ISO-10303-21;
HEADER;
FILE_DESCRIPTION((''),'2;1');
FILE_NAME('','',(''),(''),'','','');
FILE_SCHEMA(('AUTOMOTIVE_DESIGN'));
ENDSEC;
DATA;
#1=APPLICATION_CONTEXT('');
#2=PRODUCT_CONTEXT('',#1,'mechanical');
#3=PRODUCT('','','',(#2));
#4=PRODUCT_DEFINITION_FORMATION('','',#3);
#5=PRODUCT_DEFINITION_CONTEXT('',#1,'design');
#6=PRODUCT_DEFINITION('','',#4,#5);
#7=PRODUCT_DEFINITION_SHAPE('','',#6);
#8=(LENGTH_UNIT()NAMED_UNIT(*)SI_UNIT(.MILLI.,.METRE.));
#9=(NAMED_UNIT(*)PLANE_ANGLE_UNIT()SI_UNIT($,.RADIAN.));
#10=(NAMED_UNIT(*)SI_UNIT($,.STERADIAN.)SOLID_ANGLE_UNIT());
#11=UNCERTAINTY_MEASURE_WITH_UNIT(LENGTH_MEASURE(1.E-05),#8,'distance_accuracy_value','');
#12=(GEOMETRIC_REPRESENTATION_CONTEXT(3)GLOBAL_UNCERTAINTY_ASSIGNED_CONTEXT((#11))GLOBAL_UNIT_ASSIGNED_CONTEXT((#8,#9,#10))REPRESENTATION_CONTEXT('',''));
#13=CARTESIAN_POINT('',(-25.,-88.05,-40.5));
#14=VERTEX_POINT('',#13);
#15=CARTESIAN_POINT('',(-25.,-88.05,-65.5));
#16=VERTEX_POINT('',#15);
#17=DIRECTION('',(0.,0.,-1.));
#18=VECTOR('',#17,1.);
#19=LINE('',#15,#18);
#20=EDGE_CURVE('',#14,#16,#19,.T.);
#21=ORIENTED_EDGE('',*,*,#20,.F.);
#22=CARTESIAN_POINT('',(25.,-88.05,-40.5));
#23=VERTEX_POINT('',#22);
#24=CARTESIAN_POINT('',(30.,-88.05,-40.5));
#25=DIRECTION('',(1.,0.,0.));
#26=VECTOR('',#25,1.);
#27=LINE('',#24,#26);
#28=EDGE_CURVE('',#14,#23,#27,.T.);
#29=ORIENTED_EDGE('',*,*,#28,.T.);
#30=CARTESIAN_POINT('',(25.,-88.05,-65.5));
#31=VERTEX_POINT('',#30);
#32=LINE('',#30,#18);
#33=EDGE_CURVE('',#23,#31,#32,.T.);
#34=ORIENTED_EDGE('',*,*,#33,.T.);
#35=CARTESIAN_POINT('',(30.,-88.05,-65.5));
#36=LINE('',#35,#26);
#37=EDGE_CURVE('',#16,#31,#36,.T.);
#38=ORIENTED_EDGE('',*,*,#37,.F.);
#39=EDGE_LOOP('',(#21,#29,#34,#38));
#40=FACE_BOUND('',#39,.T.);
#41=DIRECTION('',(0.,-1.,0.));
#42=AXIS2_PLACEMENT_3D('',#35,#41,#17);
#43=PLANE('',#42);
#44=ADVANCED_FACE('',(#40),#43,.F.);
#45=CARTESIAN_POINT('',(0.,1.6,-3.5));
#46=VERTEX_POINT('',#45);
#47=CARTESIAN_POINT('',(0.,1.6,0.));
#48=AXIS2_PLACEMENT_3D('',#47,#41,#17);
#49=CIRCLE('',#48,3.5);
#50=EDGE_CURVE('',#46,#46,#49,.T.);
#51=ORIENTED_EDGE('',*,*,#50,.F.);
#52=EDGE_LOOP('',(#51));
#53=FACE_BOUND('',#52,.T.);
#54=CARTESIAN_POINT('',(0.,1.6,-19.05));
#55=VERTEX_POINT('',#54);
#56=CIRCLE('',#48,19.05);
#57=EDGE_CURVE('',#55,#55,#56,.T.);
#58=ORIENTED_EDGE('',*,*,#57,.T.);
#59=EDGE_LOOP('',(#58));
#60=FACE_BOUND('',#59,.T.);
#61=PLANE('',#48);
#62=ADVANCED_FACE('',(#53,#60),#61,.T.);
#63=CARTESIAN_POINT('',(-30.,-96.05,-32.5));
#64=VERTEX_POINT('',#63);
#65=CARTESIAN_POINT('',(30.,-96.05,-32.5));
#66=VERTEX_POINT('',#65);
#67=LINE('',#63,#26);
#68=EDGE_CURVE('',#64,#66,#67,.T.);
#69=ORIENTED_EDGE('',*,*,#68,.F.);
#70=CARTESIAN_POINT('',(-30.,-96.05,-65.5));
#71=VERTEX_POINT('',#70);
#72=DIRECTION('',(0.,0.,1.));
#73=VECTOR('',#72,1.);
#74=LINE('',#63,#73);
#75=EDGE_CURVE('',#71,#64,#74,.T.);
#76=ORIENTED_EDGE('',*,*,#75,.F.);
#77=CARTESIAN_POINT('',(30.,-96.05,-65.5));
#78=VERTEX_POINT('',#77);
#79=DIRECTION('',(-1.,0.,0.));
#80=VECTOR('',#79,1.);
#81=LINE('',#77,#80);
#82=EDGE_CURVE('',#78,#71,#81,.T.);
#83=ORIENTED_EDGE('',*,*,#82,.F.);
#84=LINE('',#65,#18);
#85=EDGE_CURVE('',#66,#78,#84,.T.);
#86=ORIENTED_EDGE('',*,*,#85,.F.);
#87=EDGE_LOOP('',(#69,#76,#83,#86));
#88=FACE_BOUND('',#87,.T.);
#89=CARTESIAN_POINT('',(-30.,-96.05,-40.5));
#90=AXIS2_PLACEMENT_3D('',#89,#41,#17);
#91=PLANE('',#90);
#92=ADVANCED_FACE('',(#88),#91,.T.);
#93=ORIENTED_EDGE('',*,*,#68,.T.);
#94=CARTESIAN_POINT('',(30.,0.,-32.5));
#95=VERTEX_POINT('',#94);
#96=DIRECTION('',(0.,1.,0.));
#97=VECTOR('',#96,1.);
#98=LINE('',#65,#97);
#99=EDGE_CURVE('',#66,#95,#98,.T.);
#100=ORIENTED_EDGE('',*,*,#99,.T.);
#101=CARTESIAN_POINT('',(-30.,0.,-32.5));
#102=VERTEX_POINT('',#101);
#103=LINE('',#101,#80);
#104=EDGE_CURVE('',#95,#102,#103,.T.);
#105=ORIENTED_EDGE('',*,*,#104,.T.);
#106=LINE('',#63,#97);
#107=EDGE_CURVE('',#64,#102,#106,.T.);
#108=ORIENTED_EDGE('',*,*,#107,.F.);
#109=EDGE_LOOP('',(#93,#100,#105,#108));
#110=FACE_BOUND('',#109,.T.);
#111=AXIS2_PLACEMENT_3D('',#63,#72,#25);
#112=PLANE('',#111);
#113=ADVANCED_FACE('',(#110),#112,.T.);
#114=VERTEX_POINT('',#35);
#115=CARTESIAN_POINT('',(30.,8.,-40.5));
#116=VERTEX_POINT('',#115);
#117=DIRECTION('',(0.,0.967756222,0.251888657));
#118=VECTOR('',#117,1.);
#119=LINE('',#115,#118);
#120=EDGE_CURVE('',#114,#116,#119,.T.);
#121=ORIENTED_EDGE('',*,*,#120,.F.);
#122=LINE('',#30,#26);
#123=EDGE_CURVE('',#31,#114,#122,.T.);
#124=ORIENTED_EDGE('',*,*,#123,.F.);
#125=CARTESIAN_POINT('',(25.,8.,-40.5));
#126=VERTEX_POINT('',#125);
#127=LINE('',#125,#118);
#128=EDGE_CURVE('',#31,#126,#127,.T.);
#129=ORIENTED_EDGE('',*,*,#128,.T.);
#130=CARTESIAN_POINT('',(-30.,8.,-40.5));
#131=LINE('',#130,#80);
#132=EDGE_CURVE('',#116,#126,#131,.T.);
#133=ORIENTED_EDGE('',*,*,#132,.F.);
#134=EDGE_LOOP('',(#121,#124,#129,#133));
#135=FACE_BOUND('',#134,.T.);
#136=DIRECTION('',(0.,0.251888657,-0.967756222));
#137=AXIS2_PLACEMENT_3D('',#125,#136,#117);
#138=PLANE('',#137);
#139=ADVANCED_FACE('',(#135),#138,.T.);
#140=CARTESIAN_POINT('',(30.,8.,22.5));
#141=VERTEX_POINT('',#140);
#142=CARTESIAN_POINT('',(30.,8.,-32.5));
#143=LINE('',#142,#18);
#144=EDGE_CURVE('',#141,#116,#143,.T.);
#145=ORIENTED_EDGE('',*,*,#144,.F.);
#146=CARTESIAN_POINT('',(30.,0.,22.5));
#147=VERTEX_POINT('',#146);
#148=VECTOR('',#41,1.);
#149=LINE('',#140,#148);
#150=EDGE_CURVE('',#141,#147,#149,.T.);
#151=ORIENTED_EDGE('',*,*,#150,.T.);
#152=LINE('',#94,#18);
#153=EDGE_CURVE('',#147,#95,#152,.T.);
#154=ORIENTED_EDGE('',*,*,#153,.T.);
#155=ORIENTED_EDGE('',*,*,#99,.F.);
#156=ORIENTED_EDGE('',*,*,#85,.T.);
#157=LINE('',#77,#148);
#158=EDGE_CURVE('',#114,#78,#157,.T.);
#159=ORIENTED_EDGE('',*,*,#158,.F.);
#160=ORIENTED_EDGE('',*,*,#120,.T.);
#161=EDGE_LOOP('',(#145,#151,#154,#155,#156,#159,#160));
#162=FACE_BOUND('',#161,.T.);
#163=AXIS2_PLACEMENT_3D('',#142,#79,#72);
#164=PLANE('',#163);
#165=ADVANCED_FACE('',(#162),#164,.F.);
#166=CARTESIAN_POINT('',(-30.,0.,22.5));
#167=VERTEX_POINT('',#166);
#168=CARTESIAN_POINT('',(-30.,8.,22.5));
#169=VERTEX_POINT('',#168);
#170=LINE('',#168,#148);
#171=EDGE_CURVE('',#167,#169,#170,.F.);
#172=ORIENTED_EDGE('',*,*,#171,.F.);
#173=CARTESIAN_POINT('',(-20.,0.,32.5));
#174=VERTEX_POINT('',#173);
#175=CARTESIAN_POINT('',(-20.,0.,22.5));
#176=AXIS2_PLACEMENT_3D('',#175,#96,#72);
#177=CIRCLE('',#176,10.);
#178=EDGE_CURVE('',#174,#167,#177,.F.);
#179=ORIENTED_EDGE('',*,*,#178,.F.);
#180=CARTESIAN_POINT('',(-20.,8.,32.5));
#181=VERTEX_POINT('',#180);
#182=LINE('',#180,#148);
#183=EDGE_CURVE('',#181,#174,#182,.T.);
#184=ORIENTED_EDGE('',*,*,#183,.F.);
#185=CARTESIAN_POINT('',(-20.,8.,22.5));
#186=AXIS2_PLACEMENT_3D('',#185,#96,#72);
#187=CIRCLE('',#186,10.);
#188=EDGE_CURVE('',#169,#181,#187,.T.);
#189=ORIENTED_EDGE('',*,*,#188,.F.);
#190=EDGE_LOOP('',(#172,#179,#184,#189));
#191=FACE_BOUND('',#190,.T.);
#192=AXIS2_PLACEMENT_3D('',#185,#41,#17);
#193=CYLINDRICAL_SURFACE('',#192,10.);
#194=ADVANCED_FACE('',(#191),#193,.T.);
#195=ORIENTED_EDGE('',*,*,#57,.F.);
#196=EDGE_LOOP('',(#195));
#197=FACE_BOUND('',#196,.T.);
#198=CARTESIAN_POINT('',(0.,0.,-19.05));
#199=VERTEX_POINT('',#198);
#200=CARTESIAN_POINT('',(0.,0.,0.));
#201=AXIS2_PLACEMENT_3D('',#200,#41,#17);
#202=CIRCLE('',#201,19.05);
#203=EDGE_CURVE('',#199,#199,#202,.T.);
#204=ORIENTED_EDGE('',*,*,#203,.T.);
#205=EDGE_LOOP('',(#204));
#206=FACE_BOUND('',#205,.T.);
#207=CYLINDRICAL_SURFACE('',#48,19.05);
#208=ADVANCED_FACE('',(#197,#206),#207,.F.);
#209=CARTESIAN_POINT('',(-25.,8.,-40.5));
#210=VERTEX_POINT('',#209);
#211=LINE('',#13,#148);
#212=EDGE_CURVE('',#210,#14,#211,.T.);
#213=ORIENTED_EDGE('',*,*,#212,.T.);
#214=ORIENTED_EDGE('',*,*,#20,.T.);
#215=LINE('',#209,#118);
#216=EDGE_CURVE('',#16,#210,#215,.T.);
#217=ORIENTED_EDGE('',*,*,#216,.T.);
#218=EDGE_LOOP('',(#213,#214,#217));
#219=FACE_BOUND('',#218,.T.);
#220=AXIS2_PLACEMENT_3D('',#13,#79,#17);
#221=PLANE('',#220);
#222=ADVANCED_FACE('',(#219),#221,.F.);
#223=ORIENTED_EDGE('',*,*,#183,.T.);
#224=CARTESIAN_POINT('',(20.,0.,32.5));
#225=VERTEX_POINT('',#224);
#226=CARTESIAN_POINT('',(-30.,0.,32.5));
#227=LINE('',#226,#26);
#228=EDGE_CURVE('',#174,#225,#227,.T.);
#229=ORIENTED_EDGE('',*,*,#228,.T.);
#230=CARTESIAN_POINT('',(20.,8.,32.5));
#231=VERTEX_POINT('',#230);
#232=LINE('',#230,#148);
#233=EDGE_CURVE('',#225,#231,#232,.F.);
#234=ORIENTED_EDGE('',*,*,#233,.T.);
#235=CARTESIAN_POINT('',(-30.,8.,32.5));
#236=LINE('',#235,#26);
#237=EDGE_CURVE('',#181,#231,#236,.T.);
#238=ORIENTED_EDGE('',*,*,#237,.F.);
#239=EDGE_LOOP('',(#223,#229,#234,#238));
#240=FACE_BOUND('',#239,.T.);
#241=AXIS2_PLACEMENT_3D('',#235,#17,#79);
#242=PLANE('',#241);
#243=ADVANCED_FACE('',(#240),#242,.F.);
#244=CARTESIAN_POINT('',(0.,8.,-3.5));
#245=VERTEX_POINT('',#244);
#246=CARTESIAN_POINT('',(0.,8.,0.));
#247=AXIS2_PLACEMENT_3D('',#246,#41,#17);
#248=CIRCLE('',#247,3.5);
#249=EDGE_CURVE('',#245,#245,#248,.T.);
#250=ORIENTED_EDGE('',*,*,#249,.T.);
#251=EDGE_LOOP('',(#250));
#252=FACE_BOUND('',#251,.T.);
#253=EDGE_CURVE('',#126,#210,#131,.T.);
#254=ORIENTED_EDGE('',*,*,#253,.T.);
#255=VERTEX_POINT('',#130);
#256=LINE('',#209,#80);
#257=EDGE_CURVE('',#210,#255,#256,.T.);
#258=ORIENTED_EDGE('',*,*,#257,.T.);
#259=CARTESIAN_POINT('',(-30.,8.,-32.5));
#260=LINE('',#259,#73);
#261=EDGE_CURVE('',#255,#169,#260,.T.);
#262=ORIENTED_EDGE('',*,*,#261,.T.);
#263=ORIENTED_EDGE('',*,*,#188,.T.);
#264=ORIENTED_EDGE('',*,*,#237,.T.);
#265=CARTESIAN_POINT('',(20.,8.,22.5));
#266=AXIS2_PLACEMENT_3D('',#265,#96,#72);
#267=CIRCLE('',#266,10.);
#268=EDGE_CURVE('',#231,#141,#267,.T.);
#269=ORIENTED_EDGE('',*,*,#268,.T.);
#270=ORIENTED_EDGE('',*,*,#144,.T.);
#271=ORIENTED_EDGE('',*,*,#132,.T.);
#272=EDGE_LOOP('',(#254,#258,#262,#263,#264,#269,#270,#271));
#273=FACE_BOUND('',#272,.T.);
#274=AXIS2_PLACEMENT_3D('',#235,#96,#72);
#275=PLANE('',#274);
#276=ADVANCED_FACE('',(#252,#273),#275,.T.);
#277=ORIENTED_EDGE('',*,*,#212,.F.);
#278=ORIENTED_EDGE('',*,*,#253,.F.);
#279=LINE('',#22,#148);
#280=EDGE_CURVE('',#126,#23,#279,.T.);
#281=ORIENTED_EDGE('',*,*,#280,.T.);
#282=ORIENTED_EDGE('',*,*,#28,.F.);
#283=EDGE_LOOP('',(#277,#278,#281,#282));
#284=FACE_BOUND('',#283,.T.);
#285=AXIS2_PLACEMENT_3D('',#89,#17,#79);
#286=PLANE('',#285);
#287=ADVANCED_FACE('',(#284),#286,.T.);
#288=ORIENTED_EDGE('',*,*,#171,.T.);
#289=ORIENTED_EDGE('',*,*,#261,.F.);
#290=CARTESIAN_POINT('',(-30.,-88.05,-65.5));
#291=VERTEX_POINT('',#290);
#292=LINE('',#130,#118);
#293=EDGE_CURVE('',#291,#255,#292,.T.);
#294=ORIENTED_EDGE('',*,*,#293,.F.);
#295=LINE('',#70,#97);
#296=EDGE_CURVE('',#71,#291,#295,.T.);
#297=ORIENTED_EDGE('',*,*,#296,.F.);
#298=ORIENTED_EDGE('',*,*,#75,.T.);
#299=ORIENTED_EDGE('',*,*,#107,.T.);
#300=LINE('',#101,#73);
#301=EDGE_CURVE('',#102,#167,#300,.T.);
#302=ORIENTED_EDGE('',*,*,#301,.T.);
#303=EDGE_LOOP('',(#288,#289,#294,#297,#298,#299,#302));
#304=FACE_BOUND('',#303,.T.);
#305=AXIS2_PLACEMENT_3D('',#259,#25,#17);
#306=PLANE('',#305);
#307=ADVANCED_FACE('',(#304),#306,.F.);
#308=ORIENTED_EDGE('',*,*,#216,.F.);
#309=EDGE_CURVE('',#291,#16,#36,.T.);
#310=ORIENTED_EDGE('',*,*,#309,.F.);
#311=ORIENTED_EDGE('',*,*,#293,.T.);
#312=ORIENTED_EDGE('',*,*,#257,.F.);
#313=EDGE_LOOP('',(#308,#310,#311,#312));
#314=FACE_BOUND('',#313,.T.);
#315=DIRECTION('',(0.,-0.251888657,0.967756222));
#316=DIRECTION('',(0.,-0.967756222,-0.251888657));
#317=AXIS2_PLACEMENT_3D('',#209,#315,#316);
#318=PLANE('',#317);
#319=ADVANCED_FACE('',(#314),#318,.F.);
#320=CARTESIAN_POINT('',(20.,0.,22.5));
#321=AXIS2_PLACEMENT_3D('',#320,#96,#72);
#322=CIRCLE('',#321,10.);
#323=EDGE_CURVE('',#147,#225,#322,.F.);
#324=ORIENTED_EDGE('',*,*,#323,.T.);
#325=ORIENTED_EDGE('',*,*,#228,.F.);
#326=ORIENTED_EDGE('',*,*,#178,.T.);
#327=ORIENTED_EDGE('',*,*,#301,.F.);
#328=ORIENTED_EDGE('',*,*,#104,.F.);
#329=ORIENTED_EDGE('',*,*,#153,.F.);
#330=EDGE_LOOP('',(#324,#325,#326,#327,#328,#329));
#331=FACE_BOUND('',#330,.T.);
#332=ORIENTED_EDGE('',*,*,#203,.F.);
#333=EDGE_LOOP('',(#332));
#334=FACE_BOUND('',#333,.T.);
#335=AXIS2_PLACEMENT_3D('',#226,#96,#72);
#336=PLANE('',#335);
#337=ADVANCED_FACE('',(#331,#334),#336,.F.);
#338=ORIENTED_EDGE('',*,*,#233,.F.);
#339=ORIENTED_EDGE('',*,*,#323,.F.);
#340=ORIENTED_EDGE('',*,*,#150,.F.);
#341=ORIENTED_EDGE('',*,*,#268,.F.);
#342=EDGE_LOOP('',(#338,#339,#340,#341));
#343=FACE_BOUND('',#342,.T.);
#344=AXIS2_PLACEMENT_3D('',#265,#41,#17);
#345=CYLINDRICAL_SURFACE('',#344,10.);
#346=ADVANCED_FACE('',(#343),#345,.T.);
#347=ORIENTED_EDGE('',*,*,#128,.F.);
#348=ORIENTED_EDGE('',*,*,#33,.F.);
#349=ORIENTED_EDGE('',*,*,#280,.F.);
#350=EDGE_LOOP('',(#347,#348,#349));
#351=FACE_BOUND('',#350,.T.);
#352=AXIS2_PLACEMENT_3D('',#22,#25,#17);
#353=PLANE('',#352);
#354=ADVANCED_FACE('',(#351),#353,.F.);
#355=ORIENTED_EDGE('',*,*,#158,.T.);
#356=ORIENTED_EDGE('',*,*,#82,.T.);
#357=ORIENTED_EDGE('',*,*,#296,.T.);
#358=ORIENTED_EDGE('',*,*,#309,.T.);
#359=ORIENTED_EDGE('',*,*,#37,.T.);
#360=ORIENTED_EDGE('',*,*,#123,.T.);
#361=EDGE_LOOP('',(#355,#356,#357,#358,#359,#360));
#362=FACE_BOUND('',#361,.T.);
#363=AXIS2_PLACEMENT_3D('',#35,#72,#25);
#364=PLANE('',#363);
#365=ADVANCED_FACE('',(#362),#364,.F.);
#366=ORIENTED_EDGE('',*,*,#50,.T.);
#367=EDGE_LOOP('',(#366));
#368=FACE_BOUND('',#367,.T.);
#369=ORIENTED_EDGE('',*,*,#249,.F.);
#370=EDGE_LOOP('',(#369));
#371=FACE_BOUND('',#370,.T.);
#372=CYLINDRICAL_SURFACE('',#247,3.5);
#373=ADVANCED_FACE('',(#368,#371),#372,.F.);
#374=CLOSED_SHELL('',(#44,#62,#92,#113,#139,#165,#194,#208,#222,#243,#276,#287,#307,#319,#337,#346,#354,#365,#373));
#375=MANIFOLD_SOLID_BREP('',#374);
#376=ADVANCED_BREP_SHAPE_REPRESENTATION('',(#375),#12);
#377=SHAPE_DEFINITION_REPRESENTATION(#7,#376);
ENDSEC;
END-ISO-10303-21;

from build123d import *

# Parameters (mm, degrees)
SKETCH1_W           = 60
SKETCH1_H           = 65
BOSS_EXTRUDE1_DEPTH = 8
SKETCH2_R           = 19.05
CUT_EXTRUDE1_DEPTH  = 1.6
SKETCH3_R           = 3.5
CUT_EXTRUDE2_DEPTH  = 7.4
SKETCH4_W           = 60
SKETCH4_H           = 8
BOSS_EXTRUDE2_DEPTH = 104.05
FILLET1_R           = 10
SKETCH5_W           = 60
SKETCH5_H           = 8
BOSS_EXTRUDE3_DEPTH = 25
BOSS_EXTRUDE4_DEPTH = 5


with BuildPart() as part:
    # Sketch1 → Boss-Extrude1 (new body)
    with BuildSketch(Plane(origin=(0, 0, 0), x_dir=(1, 0, 0), z_dir=(0, 1, 0))):
        Rectangle(SKETCH1_W, SKETCH1_H)
    extrude(amount=BOSS_EXTRUDE1_DEPTH)

    # Sketch2 → Cut-Extrude1 (cut)
    with BuildSketch(Plane.XZ):
        Circle(SKETCH2_R)
    extrude(amount=-CUT_EXTRUDE1_DEPTH, mode=Mode.SUBTRACT)

    # Sketch3 → Cut-Extrude2 (cut, through all)
    with BuildSketch(Plane.XZ.offset(-1.6)):
        Circle(SKETCH3_R)
    extrude(amount=-CUT_EXTRUDE2_DEPTH, mode=Mode.SUBTRACT)

    # Sketch4 → Boss-Extrude2 (add)
    with BuildSketch(Plane(origin=(0, 8, 0), x_dir=(1, 0, 0), z_dir=(0, 1, 0))):
        with Locations((0, 36.5)):
            Rectangle(SKETCH4_W, SKETCH4_H)
    extrude(amount=-BOSS_EXTRUDE2_DEPTH)

    # Fillet1
    fillet1_edges = [part.edges().sort_by_distance(p)[0] for p in [
        (-30, 4, 32.5),
        (30, 4, 32.5),
    ]]
    fillet(fillet1_edges, radius=FILLET1_R)

    # Sketch5 → Boss-Extrude3 (add)
    with BuildSketch(Plane(origin=(0, 0, -40.5), x_dir=(-1, 0, 0), z_dir=(0, 0, -1))):
        with Locations((0, -92.05)):
            Rectangle(SKETCH5_W, SKETCH5_H)
    extrude(amount=BOSS_EXTRUDE3_DEPTH)

    # Sketch6 → Boss-Extrude4 (add)
    with BuildSketch(Plane(origin=(30, 0, 0), x_dir=(0, 0, -1), z_dir=(1, 0, 0))):
        Polygon((40.5, 8), (65.5, -88.05), (40.5, -88.05), align=None)
    boss_extrude4 = extrude(amount=-BOSS_EXTRUDE4_DEPTH)

    # Mirror1: Boss-Extrude4 across plane
    add(boss_extrude4.mirror(Plane(origin=(0, 0, 0), x_dir=(0, 0, 1), z_dir=(1, 0, 0))))


solid = part.part
